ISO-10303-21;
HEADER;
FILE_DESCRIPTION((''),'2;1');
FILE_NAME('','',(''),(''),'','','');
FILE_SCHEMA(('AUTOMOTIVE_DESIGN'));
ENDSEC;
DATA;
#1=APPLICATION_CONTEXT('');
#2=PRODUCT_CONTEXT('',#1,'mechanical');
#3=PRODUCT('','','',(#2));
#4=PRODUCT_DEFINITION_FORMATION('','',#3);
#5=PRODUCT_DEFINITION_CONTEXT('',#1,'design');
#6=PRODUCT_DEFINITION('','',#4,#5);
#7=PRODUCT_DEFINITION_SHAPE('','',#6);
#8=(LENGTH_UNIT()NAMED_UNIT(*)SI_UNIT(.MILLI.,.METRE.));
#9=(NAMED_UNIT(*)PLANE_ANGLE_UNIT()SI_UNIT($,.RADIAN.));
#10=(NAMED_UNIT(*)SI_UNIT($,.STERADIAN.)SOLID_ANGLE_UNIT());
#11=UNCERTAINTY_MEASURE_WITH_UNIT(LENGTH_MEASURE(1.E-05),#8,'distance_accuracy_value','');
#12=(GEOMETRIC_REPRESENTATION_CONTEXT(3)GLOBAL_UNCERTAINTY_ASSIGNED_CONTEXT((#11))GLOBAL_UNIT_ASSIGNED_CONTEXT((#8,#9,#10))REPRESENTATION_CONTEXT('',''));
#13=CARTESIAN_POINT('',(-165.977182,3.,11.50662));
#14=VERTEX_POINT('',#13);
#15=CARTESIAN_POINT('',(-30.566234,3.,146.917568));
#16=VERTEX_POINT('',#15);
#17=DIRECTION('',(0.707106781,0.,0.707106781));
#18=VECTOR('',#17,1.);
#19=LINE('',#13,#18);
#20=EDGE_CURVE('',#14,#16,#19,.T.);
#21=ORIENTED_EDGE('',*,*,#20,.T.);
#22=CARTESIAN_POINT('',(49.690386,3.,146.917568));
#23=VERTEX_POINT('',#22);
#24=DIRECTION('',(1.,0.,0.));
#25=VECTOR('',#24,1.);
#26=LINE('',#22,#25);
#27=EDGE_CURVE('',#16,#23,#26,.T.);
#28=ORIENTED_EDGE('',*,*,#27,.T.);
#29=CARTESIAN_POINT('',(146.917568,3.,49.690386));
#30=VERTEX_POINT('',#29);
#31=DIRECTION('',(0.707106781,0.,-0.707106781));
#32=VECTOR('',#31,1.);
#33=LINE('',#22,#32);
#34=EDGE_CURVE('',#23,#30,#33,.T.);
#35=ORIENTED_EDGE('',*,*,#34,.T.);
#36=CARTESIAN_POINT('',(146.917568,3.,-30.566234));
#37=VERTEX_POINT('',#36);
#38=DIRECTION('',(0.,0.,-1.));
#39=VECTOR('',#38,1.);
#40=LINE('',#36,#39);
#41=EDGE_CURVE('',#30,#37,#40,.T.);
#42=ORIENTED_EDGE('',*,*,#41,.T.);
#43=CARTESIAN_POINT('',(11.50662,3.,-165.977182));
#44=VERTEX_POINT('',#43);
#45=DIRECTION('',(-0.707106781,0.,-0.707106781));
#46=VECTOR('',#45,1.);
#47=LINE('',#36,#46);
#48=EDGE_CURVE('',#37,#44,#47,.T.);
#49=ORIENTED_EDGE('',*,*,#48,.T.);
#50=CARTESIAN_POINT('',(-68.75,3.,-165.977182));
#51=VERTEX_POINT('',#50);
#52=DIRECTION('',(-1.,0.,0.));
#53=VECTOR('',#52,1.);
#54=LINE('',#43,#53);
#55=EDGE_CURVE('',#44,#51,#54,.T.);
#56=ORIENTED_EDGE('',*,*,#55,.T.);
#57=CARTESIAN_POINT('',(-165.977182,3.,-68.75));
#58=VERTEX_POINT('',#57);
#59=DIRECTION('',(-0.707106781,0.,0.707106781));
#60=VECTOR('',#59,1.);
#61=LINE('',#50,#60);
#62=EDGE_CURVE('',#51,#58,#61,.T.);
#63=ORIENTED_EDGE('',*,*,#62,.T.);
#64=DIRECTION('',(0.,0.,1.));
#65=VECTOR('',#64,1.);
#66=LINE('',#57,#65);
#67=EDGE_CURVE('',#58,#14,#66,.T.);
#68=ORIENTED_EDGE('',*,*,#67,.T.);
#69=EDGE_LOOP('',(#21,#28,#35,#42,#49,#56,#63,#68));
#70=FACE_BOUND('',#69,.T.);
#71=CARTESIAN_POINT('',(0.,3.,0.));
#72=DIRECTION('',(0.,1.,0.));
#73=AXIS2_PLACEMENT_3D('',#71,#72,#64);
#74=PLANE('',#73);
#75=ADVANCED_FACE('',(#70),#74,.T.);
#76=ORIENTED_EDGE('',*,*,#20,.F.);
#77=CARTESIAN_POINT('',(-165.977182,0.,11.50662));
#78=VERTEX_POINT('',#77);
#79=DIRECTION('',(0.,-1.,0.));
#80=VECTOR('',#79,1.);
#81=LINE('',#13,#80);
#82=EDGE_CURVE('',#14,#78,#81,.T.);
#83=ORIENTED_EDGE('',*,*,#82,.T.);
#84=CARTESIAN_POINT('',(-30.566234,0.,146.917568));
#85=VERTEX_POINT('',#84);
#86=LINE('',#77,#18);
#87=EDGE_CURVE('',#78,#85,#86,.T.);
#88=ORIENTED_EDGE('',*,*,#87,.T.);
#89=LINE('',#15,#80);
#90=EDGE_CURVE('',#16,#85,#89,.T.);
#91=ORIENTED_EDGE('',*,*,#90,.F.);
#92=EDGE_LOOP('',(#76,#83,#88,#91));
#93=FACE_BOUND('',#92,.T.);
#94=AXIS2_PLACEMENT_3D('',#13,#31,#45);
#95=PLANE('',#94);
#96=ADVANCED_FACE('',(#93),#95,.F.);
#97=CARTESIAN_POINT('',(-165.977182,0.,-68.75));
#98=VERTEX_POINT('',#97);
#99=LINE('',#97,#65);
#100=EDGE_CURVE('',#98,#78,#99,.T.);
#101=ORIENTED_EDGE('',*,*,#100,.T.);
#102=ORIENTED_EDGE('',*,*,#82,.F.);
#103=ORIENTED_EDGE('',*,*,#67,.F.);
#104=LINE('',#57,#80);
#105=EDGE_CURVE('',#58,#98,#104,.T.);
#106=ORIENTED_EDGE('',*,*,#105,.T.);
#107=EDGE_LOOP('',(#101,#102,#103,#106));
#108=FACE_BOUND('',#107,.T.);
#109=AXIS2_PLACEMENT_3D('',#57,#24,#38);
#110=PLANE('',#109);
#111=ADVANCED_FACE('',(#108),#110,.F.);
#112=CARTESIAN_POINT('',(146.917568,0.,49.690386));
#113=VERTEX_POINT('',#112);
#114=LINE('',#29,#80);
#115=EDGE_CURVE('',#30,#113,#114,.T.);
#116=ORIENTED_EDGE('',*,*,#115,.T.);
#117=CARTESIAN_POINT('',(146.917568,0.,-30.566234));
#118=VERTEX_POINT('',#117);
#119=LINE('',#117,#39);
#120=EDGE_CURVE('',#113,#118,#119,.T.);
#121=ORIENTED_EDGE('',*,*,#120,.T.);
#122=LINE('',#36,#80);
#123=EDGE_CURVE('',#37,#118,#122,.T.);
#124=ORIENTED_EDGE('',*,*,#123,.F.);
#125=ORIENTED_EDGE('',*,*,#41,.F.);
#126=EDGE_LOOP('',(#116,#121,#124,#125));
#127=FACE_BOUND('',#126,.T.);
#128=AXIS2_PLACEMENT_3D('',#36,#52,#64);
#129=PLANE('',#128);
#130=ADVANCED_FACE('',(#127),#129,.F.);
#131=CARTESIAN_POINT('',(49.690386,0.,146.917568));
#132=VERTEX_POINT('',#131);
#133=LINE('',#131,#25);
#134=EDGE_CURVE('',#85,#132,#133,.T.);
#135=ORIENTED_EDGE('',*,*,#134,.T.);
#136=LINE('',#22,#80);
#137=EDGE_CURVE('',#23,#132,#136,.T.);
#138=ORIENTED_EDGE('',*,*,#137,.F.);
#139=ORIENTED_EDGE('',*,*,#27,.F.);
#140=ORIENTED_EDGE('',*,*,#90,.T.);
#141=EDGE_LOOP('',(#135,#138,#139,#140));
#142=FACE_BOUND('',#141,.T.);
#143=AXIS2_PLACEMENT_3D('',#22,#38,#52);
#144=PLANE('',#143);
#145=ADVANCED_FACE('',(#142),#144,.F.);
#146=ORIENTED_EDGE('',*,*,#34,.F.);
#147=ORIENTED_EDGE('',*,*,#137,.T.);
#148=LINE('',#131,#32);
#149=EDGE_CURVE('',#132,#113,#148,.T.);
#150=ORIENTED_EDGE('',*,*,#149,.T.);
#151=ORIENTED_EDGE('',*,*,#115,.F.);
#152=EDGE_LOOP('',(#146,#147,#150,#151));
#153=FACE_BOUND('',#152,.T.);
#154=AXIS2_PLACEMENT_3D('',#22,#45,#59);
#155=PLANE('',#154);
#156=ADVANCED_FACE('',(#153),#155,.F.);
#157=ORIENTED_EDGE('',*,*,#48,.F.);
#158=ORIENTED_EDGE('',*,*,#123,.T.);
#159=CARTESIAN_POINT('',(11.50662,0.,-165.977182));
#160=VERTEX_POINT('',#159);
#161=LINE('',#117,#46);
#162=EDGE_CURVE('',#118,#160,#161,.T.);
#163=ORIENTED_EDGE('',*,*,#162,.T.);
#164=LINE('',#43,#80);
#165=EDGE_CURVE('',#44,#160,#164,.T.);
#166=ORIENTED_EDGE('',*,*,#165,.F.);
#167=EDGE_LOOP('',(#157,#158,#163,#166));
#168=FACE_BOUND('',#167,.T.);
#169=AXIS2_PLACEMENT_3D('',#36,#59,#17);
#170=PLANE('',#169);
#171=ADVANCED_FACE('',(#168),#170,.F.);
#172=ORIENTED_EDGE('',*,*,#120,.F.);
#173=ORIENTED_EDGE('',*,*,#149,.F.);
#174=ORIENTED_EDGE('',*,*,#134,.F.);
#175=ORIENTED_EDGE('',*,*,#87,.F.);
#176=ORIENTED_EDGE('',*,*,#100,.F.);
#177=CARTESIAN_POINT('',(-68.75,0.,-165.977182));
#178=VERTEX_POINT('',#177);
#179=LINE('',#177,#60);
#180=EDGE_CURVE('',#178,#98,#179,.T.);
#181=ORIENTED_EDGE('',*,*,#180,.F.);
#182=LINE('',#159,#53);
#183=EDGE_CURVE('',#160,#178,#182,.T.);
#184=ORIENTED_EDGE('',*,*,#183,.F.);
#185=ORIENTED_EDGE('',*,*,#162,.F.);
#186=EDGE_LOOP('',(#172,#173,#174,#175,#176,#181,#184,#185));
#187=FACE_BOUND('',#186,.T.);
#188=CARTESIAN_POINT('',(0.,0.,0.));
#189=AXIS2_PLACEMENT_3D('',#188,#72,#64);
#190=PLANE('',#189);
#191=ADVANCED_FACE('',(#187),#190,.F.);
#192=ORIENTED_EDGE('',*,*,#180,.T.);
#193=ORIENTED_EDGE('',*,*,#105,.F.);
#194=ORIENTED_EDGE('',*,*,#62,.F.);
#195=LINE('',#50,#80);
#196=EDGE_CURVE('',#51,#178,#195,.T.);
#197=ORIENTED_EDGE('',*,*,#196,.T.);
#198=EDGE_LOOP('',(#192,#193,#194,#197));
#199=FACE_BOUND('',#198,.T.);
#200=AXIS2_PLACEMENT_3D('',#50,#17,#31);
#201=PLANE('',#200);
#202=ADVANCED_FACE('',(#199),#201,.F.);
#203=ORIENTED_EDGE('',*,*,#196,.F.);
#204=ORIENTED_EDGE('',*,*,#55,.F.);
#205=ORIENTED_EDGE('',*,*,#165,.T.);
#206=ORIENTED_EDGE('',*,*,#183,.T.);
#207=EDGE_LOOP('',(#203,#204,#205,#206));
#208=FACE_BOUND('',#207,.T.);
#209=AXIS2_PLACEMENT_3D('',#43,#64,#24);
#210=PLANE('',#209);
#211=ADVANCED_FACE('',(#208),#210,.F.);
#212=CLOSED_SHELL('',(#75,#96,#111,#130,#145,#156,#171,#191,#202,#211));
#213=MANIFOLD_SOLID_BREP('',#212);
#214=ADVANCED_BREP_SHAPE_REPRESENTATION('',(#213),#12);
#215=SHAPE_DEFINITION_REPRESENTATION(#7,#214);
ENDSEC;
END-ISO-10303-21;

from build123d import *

# Parameters (mm, degrees)
BOSS_EXTRUDE2_DEPTH = 3


with BuildPart() as part:
    # Sketch3 → Boss-Extrude2 (new body)
    with BuildSketch(Plane(origin=(0, 0, 0), x_dir=(1, 0, 0), z_dir=(0, 1, 0))):
        Polygon((146.917568262, 30.566233816), (11.506619665, 165.977182413), (-68.75, 165.977182413), (-165.977182413, 68.75), (-165.977182413, -11.506619665), (-30.566233816, -146.917568262), (49.690385849, -146.917568262), (146.917568262, -49.690385849), align=None)
    extrude(amount=BOSS_EXTRUDE2_DEPTH)


solid = part.part
